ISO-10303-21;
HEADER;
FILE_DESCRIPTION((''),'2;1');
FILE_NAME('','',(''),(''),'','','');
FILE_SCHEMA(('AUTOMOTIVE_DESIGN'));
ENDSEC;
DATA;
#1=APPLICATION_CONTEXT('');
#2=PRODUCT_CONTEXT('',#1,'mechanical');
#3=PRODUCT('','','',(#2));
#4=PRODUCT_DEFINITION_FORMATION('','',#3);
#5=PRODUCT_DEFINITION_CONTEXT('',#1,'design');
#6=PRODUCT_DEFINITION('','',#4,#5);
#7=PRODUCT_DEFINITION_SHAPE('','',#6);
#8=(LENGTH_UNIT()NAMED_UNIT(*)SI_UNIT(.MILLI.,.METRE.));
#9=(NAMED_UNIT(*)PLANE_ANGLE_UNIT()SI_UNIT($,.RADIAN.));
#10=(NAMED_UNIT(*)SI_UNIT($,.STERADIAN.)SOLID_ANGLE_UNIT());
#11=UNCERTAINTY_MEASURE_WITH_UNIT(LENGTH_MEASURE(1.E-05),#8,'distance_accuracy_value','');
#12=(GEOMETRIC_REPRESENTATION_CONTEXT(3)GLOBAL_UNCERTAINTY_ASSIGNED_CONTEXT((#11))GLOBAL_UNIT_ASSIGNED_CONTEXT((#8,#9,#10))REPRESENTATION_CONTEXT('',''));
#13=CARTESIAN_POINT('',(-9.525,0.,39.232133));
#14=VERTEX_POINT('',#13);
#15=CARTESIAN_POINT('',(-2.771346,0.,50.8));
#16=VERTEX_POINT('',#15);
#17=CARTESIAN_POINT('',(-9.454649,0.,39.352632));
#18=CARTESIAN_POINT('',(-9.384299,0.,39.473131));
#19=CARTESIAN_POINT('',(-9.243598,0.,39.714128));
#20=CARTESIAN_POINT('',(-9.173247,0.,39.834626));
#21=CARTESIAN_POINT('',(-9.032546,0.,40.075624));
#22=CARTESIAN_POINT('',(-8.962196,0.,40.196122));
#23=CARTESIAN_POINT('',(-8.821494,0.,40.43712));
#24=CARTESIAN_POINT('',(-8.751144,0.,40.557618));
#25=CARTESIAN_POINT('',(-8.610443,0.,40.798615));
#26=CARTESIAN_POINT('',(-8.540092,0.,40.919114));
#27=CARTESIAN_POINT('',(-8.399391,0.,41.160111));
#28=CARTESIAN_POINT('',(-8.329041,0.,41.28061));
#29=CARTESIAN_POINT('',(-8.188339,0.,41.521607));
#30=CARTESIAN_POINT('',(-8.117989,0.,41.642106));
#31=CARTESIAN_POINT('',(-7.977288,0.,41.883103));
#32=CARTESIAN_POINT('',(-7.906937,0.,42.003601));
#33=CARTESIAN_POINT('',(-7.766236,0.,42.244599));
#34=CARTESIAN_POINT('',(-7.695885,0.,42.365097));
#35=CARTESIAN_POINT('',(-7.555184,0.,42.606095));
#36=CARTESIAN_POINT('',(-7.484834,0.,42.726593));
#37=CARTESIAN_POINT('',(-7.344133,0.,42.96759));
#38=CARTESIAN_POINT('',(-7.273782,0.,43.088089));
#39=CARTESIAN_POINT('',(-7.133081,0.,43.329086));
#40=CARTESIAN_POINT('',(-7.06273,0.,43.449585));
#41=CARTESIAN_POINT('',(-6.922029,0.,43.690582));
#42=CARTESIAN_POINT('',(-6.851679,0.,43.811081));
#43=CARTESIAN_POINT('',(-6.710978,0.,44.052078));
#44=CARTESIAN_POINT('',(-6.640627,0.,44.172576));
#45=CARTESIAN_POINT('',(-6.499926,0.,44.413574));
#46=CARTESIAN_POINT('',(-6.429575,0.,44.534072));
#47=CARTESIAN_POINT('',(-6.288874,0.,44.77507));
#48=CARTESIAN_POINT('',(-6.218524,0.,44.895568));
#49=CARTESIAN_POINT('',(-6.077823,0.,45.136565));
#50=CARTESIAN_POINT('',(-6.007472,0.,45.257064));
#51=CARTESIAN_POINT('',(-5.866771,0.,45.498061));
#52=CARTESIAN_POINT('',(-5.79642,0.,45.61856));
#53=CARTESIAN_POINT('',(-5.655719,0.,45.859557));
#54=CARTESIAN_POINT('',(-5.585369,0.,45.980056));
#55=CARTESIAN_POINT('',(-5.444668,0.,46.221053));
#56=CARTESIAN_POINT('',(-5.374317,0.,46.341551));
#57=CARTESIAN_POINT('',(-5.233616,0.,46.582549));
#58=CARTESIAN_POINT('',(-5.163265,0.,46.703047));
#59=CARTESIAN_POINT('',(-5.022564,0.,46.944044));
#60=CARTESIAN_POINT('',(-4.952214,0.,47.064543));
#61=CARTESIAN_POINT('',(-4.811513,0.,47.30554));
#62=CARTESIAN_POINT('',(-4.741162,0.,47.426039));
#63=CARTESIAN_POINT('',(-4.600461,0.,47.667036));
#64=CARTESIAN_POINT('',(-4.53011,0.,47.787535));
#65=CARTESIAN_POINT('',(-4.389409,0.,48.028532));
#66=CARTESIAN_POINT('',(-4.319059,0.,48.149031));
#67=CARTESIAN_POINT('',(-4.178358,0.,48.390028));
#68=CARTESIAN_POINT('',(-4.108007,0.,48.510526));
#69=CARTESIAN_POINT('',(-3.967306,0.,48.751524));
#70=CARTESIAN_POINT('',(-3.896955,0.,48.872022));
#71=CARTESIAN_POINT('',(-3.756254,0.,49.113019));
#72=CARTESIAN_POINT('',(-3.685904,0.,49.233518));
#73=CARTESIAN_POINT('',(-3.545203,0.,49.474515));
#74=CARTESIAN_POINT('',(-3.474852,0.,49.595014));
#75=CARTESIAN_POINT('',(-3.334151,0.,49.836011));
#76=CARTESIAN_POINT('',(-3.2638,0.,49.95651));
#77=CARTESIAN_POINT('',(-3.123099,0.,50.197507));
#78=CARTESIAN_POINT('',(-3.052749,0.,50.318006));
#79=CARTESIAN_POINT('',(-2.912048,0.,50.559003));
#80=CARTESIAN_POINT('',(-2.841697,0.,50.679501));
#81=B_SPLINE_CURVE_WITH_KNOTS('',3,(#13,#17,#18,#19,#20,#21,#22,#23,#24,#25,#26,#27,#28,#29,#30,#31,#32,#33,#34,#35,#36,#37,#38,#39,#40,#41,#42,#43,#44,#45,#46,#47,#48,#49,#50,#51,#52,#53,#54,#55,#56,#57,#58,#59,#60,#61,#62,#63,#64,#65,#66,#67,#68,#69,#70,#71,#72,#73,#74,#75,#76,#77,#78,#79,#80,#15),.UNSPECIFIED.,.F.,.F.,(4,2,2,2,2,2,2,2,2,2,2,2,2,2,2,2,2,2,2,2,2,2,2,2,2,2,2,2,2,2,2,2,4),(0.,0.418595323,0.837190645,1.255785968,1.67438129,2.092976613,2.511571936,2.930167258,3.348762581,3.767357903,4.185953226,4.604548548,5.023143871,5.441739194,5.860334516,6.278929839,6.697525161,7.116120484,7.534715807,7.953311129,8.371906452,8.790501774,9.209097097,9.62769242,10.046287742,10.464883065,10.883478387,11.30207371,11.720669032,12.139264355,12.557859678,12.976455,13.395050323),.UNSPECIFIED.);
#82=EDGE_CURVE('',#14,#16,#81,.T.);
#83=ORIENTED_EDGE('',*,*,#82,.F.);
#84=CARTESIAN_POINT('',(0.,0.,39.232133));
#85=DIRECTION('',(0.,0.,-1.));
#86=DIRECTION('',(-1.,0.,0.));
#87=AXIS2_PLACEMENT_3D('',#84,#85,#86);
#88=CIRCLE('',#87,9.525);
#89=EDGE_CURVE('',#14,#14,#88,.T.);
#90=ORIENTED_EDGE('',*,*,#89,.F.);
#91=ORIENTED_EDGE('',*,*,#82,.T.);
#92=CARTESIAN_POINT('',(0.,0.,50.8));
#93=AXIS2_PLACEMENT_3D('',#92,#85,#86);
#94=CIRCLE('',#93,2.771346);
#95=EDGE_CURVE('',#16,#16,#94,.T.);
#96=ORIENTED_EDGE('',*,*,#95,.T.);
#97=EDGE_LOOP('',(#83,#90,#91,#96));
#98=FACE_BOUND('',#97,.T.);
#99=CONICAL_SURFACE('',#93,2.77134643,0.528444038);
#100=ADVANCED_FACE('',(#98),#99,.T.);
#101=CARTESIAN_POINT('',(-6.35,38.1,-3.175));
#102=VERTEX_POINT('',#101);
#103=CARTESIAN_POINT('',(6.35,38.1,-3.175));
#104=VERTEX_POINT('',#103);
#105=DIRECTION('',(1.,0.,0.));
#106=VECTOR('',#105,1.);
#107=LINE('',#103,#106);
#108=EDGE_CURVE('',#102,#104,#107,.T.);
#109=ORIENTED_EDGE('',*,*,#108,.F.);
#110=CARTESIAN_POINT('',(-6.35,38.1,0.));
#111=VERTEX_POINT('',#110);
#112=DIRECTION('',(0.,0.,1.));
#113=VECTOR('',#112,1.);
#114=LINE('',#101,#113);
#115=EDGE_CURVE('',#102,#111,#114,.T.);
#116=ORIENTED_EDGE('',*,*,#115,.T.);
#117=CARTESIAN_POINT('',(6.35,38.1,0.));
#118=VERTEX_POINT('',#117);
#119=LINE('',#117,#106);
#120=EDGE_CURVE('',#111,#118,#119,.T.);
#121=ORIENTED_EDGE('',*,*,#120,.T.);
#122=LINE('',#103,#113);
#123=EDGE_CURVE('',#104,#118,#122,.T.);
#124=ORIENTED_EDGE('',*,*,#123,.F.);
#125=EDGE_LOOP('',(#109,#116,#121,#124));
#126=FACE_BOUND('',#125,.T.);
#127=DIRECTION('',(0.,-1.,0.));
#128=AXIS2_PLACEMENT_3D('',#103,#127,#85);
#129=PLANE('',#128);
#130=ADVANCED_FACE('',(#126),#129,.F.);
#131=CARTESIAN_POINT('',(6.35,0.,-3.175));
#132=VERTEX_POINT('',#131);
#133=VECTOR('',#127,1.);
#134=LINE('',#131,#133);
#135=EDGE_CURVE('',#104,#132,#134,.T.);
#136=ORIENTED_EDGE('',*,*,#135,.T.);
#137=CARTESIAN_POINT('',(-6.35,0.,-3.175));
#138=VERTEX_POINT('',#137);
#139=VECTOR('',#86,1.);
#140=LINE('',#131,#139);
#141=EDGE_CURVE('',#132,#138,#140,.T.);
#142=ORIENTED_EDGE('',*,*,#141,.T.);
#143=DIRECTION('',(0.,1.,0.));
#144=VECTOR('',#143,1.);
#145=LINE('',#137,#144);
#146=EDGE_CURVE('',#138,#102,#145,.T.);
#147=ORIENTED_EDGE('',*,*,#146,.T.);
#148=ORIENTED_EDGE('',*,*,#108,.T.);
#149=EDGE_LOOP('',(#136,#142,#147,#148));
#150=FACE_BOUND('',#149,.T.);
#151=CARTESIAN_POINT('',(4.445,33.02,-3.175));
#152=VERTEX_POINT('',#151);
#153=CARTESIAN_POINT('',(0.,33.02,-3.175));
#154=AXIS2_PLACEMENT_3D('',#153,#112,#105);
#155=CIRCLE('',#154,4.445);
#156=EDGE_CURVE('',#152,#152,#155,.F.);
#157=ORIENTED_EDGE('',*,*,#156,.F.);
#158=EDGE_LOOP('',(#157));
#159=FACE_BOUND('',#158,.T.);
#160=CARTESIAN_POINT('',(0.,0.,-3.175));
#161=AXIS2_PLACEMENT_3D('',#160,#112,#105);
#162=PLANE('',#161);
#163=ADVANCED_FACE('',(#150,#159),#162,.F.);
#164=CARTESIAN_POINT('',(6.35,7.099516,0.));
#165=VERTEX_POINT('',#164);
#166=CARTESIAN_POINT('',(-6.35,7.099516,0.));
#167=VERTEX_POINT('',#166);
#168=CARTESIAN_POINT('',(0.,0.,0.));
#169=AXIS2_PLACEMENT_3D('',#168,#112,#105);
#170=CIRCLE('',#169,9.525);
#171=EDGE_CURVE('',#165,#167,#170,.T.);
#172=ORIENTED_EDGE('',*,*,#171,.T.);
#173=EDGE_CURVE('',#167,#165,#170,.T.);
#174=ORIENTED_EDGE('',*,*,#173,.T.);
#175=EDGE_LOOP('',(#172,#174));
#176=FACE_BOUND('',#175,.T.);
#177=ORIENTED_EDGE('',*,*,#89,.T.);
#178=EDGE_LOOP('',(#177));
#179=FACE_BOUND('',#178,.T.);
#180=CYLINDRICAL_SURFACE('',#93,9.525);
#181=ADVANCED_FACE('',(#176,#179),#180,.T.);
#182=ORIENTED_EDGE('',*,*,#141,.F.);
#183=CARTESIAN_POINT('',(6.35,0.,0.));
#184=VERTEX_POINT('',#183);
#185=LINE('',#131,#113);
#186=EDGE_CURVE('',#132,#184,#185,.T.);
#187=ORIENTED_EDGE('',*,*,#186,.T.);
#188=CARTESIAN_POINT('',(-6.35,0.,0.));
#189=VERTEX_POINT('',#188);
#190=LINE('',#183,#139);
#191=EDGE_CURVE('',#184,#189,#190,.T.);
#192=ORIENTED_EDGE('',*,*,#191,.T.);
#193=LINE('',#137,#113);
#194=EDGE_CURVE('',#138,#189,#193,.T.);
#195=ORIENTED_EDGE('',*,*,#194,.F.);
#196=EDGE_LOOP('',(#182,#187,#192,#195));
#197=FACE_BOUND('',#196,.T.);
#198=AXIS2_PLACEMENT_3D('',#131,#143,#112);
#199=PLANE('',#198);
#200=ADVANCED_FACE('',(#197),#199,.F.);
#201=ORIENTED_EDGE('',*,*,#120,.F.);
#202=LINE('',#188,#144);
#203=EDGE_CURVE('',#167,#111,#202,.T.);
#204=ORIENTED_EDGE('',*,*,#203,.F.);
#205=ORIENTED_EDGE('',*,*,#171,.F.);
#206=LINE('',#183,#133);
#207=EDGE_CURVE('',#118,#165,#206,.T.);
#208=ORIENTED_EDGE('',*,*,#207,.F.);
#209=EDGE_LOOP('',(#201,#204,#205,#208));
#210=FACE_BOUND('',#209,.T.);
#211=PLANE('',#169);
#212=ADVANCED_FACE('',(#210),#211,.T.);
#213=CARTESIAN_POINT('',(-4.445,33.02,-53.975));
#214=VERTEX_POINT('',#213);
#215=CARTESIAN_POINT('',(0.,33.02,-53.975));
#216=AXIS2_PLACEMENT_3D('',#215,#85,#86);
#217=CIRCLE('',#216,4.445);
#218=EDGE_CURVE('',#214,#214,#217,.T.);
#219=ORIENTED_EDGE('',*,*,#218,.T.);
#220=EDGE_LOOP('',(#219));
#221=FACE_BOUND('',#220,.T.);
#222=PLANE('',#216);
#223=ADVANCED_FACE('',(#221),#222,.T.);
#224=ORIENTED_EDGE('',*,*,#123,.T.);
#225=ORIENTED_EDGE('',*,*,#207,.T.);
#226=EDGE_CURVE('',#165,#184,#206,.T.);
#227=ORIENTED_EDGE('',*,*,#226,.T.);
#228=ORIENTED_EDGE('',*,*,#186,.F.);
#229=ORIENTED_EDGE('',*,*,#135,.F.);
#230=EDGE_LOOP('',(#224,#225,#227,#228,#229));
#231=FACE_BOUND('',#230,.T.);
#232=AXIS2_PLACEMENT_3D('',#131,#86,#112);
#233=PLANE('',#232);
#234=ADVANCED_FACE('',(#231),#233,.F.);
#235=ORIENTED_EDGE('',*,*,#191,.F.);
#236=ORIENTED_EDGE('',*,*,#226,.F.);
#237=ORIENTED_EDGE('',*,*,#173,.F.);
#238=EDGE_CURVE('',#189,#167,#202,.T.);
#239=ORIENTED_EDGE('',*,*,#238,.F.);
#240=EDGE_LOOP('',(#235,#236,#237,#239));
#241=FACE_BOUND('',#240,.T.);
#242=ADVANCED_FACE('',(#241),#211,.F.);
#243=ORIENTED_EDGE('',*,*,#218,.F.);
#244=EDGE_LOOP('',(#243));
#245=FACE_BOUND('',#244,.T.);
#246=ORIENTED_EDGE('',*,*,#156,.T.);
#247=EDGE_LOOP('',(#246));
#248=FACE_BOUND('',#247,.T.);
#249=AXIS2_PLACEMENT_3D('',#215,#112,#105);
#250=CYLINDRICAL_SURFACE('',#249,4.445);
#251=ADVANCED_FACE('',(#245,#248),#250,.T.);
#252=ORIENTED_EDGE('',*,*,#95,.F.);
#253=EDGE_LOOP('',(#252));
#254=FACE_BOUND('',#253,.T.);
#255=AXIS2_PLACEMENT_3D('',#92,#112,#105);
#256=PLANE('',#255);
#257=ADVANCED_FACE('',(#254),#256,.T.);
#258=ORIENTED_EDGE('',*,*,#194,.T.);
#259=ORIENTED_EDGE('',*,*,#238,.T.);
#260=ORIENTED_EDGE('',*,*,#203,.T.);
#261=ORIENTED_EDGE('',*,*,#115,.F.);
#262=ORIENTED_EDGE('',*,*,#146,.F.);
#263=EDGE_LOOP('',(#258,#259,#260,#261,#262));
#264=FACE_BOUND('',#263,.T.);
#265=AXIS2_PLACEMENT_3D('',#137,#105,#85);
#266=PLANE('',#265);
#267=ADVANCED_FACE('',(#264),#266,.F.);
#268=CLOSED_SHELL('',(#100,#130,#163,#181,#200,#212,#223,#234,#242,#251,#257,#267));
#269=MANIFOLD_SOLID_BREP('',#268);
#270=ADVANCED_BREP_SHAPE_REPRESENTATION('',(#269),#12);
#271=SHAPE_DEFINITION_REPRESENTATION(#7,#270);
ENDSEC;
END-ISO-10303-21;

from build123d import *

# Parameters (mm, degrees)
SKETCH1_R           = 9.525
BOSS_EXTRUDE1_DEPTH = 50.8
SKETCH2_W           = 12.7
SKETCH2_H           = 38.1
BOSS_EXTRUDE2_DEPTH = 3.175
SKETCH3_R           = 4.445
BOSS_EXTRUDE3_DEPTH = 50.8


with BuildPart() as part:
    # Sketch1 → Boss-Extrude1 (new body)
    with BuildSketch(Plane.XY):
        Circle(SKETCH1_R)
    extrude(amount=BOSS_EXTRUDE1_DEPTH)

    # Sketch2 → Boss-Extrude2 (add)
    with BuildSketch(Plane(origin=(0, 0, 0), x_dir=(-1, 0, 0), z_dir=(0, 0, -1))):
        with Locations((0, 19.05)):
            Rectangle(SKETCH2_W, SKETCH2_H)
    extrude(amount=BOSS_EXTRUDE2_DEPTH)

    # Sketch3 → Boss-Extrude3 (add)
    with BuildSketch(Plane(origin=(0, 0, -3.175), x_dir=(-1, 0, 0), z_dir=(0, 0, -1))):
        with Locations((0, 33.02)):
            Circle(SKETCH3_R)
    extrude(amount=BOSS_EXTRUDE3_DEPTH)

    # Sketch4 → Cut-Revolve1 (revolve, cut)
    with BuildSketch(Plane(origin=(0, 0, 0), x_dir=(0, 0, -1), z_dir=(1, 0, 0))):
        Polygon((-50.8, 2.77134643), (-39.232133446, 9.525), (-50.8, 9.525), align=None)
    revolve(axis=Axis((0, 0, -0.789350743), (0, 0, 1)), mode=Mode.SUBTRACT)


solid = part.part
